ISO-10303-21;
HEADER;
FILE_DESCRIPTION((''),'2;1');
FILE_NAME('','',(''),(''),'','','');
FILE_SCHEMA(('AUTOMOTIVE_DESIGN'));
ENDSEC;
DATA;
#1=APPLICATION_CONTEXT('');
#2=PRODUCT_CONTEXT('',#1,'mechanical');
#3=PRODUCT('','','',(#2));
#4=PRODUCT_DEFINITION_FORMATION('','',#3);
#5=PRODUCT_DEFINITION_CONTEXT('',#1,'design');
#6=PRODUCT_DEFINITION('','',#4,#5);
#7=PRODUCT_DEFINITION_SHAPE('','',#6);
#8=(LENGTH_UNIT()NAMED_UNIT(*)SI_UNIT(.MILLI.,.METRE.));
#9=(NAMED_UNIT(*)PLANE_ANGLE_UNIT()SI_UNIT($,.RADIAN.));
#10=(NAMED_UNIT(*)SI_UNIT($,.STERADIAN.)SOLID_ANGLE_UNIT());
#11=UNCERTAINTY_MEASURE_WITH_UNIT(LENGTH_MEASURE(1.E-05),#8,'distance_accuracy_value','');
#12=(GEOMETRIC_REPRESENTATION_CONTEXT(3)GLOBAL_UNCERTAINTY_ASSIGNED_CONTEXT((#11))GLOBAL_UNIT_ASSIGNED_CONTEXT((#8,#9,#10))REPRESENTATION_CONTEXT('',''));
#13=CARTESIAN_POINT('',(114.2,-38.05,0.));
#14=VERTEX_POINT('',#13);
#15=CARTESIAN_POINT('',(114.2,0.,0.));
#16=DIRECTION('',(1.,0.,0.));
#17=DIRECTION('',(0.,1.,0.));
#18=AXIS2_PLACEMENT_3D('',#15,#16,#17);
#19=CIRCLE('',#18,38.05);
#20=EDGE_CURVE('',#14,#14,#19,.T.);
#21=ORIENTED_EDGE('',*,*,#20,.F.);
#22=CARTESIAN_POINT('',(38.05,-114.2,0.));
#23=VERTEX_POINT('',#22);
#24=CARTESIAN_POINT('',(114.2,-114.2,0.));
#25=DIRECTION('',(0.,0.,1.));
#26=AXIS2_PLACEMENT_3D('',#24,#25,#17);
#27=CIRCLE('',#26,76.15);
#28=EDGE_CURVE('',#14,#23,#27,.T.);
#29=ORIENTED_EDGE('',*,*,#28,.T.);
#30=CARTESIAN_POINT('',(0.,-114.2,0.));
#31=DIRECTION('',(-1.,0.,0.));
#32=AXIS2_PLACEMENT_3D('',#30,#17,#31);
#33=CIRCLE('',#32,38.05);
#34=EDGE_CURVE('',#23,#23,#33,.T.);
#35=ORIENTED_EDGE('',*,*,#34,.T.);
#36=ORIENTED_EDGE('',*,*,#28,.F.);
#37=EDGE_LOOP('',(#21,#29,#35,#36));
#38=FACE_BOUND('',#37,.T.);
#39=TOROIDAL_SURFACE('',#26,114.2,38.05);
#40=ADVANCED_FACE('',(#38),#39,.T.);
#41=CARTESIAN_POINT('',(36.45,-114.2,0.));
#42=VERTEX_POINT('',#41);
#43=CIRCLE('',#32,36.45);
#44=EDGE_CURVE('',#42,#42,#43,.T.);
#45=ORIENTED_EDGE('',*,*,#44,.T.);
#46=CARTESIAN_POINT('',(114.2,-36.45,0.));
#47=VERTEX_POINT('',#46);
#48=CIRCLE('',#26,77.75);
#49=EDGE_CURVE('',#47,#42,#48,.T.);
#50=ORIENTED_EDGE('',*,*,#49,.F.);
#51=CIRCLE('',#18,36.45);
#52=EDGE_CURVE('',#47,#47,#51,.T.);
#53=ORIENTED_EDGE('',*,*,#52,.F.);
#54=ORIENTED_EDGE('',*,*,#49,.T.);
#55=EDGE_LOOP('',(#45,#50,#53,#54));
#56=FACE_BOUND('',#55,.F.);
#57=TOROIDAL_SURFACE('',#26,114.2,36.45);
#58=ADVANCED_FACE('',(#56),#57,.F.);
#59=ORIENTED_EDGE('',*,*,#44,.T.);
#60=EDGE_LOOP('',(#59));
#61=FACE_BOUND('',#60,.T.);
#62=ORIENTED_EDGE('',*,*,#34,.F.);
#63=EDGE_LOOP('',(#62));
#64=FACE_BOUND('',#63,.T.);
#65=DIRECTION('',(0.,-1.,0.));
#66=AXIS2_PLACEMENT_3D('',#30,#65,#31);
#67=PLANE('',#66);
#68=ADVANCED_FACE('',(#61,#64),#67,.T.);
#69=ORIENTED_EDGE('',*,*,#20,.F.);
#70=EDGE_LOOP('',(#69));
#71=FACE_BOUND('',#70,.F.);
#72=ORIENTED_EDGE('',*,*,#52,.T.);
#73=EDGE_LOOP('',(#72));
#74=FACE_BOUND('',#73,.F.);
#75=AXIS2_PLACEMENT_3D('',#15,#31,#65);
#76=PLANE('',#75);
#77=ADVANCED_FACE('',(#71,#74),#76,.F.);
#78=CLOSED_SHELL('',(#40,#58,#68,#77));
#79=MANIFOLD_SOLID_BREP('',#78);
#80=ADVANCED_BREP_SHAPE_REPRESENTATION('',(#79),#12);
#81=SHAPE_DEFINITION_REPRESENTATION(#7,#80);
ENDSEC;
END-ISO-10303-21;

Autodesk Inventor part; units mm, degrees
ref_plane "YZ Plane" through (0, 0, 0) normal (1, 0, 0) x (0, 1, 0)
ref_plane "XZ Plane" through (0, 0, 0) normal (0, 1, 0) x (-1, 0, 0)
sketch "Szkic6" plane through (0, 0, 0) normal (0, 0, 1) x (1, 0, 0)
  line L0 (-29.6067, 0) -> (35.2678, 0) construction
  line L1 (0, 42.3419) -> (0, -58.3726) construction
  arc A0 (114.2, 0) -> (0, -114.2) centre (114.2, -114.2) ccw
  line L2 (0, -114.2) -> (114.2, -114.2) construction
  line L3 (114.2, -114.2) -> (114.2, -48.6669) construction
  line L4 (114.2, 0) -> (114.2, 0)
  line L5 (0, -114.2) -> (0, -114.2)
  point P0 (0, 0)
  dimension "d24" = 114.2
  dimension "d31" = 90
  dimension "d36" = 0
  dimension "d37" = 0
ref_plane "Płaszczyzna konstrukcyjna2" through (0, -114.2, 0) normal (0, -1, 0) x (1, 0, 0)
sketch "Szkic8" plane through (0, -114.2, 0) normal (0, -1, 0) x (1, 0, 0)
  circle A0 centre (0, 0) radius 38.05
  circle A1 centre (0, 0) radius 36.45
  dimension "d32" = 76.1
  dimension "d33" = 1.6
sweep "Przeciągnięcie2" add profiles "Szkic8" path "Szkic6"
equation "\"d32\" = OD"
equation "\"d33\" = THK"
equation "\"d24\" = R"
equation "\"d31\" = KAT"
equation "\"SzerokośćGięciaPodcięcia\" = Grubość"
equation "\"RozmiarPodcięciaNarożnika\" = 4 * Grubość"
equation "\"PromieńPrzejścia\" = PromieńGięcia"
equation "\"Rozmiar_promienia_Jacobiego\" = PromieńGięcia"
equation "\"Wielk_odstępu\" = Grubość"
equation "\"d2\" = PromieńGięcia"
equation "\"d23\" = PromieńGięcia"
equation "\"R\" = 114.2"
equation "\"OD\" = 76.1"
equation "\"THK\" = 1.6"
equation "\"KAT\" = 90deg"
equation "\"PROSTKA\" = 0"
equation "\"Grubość\" = 1.5"
equation "\"PromieńGięcia\" = 3"
properties part number "Kolano 90° ø76,1x1,6 R114,2" material "304L"
